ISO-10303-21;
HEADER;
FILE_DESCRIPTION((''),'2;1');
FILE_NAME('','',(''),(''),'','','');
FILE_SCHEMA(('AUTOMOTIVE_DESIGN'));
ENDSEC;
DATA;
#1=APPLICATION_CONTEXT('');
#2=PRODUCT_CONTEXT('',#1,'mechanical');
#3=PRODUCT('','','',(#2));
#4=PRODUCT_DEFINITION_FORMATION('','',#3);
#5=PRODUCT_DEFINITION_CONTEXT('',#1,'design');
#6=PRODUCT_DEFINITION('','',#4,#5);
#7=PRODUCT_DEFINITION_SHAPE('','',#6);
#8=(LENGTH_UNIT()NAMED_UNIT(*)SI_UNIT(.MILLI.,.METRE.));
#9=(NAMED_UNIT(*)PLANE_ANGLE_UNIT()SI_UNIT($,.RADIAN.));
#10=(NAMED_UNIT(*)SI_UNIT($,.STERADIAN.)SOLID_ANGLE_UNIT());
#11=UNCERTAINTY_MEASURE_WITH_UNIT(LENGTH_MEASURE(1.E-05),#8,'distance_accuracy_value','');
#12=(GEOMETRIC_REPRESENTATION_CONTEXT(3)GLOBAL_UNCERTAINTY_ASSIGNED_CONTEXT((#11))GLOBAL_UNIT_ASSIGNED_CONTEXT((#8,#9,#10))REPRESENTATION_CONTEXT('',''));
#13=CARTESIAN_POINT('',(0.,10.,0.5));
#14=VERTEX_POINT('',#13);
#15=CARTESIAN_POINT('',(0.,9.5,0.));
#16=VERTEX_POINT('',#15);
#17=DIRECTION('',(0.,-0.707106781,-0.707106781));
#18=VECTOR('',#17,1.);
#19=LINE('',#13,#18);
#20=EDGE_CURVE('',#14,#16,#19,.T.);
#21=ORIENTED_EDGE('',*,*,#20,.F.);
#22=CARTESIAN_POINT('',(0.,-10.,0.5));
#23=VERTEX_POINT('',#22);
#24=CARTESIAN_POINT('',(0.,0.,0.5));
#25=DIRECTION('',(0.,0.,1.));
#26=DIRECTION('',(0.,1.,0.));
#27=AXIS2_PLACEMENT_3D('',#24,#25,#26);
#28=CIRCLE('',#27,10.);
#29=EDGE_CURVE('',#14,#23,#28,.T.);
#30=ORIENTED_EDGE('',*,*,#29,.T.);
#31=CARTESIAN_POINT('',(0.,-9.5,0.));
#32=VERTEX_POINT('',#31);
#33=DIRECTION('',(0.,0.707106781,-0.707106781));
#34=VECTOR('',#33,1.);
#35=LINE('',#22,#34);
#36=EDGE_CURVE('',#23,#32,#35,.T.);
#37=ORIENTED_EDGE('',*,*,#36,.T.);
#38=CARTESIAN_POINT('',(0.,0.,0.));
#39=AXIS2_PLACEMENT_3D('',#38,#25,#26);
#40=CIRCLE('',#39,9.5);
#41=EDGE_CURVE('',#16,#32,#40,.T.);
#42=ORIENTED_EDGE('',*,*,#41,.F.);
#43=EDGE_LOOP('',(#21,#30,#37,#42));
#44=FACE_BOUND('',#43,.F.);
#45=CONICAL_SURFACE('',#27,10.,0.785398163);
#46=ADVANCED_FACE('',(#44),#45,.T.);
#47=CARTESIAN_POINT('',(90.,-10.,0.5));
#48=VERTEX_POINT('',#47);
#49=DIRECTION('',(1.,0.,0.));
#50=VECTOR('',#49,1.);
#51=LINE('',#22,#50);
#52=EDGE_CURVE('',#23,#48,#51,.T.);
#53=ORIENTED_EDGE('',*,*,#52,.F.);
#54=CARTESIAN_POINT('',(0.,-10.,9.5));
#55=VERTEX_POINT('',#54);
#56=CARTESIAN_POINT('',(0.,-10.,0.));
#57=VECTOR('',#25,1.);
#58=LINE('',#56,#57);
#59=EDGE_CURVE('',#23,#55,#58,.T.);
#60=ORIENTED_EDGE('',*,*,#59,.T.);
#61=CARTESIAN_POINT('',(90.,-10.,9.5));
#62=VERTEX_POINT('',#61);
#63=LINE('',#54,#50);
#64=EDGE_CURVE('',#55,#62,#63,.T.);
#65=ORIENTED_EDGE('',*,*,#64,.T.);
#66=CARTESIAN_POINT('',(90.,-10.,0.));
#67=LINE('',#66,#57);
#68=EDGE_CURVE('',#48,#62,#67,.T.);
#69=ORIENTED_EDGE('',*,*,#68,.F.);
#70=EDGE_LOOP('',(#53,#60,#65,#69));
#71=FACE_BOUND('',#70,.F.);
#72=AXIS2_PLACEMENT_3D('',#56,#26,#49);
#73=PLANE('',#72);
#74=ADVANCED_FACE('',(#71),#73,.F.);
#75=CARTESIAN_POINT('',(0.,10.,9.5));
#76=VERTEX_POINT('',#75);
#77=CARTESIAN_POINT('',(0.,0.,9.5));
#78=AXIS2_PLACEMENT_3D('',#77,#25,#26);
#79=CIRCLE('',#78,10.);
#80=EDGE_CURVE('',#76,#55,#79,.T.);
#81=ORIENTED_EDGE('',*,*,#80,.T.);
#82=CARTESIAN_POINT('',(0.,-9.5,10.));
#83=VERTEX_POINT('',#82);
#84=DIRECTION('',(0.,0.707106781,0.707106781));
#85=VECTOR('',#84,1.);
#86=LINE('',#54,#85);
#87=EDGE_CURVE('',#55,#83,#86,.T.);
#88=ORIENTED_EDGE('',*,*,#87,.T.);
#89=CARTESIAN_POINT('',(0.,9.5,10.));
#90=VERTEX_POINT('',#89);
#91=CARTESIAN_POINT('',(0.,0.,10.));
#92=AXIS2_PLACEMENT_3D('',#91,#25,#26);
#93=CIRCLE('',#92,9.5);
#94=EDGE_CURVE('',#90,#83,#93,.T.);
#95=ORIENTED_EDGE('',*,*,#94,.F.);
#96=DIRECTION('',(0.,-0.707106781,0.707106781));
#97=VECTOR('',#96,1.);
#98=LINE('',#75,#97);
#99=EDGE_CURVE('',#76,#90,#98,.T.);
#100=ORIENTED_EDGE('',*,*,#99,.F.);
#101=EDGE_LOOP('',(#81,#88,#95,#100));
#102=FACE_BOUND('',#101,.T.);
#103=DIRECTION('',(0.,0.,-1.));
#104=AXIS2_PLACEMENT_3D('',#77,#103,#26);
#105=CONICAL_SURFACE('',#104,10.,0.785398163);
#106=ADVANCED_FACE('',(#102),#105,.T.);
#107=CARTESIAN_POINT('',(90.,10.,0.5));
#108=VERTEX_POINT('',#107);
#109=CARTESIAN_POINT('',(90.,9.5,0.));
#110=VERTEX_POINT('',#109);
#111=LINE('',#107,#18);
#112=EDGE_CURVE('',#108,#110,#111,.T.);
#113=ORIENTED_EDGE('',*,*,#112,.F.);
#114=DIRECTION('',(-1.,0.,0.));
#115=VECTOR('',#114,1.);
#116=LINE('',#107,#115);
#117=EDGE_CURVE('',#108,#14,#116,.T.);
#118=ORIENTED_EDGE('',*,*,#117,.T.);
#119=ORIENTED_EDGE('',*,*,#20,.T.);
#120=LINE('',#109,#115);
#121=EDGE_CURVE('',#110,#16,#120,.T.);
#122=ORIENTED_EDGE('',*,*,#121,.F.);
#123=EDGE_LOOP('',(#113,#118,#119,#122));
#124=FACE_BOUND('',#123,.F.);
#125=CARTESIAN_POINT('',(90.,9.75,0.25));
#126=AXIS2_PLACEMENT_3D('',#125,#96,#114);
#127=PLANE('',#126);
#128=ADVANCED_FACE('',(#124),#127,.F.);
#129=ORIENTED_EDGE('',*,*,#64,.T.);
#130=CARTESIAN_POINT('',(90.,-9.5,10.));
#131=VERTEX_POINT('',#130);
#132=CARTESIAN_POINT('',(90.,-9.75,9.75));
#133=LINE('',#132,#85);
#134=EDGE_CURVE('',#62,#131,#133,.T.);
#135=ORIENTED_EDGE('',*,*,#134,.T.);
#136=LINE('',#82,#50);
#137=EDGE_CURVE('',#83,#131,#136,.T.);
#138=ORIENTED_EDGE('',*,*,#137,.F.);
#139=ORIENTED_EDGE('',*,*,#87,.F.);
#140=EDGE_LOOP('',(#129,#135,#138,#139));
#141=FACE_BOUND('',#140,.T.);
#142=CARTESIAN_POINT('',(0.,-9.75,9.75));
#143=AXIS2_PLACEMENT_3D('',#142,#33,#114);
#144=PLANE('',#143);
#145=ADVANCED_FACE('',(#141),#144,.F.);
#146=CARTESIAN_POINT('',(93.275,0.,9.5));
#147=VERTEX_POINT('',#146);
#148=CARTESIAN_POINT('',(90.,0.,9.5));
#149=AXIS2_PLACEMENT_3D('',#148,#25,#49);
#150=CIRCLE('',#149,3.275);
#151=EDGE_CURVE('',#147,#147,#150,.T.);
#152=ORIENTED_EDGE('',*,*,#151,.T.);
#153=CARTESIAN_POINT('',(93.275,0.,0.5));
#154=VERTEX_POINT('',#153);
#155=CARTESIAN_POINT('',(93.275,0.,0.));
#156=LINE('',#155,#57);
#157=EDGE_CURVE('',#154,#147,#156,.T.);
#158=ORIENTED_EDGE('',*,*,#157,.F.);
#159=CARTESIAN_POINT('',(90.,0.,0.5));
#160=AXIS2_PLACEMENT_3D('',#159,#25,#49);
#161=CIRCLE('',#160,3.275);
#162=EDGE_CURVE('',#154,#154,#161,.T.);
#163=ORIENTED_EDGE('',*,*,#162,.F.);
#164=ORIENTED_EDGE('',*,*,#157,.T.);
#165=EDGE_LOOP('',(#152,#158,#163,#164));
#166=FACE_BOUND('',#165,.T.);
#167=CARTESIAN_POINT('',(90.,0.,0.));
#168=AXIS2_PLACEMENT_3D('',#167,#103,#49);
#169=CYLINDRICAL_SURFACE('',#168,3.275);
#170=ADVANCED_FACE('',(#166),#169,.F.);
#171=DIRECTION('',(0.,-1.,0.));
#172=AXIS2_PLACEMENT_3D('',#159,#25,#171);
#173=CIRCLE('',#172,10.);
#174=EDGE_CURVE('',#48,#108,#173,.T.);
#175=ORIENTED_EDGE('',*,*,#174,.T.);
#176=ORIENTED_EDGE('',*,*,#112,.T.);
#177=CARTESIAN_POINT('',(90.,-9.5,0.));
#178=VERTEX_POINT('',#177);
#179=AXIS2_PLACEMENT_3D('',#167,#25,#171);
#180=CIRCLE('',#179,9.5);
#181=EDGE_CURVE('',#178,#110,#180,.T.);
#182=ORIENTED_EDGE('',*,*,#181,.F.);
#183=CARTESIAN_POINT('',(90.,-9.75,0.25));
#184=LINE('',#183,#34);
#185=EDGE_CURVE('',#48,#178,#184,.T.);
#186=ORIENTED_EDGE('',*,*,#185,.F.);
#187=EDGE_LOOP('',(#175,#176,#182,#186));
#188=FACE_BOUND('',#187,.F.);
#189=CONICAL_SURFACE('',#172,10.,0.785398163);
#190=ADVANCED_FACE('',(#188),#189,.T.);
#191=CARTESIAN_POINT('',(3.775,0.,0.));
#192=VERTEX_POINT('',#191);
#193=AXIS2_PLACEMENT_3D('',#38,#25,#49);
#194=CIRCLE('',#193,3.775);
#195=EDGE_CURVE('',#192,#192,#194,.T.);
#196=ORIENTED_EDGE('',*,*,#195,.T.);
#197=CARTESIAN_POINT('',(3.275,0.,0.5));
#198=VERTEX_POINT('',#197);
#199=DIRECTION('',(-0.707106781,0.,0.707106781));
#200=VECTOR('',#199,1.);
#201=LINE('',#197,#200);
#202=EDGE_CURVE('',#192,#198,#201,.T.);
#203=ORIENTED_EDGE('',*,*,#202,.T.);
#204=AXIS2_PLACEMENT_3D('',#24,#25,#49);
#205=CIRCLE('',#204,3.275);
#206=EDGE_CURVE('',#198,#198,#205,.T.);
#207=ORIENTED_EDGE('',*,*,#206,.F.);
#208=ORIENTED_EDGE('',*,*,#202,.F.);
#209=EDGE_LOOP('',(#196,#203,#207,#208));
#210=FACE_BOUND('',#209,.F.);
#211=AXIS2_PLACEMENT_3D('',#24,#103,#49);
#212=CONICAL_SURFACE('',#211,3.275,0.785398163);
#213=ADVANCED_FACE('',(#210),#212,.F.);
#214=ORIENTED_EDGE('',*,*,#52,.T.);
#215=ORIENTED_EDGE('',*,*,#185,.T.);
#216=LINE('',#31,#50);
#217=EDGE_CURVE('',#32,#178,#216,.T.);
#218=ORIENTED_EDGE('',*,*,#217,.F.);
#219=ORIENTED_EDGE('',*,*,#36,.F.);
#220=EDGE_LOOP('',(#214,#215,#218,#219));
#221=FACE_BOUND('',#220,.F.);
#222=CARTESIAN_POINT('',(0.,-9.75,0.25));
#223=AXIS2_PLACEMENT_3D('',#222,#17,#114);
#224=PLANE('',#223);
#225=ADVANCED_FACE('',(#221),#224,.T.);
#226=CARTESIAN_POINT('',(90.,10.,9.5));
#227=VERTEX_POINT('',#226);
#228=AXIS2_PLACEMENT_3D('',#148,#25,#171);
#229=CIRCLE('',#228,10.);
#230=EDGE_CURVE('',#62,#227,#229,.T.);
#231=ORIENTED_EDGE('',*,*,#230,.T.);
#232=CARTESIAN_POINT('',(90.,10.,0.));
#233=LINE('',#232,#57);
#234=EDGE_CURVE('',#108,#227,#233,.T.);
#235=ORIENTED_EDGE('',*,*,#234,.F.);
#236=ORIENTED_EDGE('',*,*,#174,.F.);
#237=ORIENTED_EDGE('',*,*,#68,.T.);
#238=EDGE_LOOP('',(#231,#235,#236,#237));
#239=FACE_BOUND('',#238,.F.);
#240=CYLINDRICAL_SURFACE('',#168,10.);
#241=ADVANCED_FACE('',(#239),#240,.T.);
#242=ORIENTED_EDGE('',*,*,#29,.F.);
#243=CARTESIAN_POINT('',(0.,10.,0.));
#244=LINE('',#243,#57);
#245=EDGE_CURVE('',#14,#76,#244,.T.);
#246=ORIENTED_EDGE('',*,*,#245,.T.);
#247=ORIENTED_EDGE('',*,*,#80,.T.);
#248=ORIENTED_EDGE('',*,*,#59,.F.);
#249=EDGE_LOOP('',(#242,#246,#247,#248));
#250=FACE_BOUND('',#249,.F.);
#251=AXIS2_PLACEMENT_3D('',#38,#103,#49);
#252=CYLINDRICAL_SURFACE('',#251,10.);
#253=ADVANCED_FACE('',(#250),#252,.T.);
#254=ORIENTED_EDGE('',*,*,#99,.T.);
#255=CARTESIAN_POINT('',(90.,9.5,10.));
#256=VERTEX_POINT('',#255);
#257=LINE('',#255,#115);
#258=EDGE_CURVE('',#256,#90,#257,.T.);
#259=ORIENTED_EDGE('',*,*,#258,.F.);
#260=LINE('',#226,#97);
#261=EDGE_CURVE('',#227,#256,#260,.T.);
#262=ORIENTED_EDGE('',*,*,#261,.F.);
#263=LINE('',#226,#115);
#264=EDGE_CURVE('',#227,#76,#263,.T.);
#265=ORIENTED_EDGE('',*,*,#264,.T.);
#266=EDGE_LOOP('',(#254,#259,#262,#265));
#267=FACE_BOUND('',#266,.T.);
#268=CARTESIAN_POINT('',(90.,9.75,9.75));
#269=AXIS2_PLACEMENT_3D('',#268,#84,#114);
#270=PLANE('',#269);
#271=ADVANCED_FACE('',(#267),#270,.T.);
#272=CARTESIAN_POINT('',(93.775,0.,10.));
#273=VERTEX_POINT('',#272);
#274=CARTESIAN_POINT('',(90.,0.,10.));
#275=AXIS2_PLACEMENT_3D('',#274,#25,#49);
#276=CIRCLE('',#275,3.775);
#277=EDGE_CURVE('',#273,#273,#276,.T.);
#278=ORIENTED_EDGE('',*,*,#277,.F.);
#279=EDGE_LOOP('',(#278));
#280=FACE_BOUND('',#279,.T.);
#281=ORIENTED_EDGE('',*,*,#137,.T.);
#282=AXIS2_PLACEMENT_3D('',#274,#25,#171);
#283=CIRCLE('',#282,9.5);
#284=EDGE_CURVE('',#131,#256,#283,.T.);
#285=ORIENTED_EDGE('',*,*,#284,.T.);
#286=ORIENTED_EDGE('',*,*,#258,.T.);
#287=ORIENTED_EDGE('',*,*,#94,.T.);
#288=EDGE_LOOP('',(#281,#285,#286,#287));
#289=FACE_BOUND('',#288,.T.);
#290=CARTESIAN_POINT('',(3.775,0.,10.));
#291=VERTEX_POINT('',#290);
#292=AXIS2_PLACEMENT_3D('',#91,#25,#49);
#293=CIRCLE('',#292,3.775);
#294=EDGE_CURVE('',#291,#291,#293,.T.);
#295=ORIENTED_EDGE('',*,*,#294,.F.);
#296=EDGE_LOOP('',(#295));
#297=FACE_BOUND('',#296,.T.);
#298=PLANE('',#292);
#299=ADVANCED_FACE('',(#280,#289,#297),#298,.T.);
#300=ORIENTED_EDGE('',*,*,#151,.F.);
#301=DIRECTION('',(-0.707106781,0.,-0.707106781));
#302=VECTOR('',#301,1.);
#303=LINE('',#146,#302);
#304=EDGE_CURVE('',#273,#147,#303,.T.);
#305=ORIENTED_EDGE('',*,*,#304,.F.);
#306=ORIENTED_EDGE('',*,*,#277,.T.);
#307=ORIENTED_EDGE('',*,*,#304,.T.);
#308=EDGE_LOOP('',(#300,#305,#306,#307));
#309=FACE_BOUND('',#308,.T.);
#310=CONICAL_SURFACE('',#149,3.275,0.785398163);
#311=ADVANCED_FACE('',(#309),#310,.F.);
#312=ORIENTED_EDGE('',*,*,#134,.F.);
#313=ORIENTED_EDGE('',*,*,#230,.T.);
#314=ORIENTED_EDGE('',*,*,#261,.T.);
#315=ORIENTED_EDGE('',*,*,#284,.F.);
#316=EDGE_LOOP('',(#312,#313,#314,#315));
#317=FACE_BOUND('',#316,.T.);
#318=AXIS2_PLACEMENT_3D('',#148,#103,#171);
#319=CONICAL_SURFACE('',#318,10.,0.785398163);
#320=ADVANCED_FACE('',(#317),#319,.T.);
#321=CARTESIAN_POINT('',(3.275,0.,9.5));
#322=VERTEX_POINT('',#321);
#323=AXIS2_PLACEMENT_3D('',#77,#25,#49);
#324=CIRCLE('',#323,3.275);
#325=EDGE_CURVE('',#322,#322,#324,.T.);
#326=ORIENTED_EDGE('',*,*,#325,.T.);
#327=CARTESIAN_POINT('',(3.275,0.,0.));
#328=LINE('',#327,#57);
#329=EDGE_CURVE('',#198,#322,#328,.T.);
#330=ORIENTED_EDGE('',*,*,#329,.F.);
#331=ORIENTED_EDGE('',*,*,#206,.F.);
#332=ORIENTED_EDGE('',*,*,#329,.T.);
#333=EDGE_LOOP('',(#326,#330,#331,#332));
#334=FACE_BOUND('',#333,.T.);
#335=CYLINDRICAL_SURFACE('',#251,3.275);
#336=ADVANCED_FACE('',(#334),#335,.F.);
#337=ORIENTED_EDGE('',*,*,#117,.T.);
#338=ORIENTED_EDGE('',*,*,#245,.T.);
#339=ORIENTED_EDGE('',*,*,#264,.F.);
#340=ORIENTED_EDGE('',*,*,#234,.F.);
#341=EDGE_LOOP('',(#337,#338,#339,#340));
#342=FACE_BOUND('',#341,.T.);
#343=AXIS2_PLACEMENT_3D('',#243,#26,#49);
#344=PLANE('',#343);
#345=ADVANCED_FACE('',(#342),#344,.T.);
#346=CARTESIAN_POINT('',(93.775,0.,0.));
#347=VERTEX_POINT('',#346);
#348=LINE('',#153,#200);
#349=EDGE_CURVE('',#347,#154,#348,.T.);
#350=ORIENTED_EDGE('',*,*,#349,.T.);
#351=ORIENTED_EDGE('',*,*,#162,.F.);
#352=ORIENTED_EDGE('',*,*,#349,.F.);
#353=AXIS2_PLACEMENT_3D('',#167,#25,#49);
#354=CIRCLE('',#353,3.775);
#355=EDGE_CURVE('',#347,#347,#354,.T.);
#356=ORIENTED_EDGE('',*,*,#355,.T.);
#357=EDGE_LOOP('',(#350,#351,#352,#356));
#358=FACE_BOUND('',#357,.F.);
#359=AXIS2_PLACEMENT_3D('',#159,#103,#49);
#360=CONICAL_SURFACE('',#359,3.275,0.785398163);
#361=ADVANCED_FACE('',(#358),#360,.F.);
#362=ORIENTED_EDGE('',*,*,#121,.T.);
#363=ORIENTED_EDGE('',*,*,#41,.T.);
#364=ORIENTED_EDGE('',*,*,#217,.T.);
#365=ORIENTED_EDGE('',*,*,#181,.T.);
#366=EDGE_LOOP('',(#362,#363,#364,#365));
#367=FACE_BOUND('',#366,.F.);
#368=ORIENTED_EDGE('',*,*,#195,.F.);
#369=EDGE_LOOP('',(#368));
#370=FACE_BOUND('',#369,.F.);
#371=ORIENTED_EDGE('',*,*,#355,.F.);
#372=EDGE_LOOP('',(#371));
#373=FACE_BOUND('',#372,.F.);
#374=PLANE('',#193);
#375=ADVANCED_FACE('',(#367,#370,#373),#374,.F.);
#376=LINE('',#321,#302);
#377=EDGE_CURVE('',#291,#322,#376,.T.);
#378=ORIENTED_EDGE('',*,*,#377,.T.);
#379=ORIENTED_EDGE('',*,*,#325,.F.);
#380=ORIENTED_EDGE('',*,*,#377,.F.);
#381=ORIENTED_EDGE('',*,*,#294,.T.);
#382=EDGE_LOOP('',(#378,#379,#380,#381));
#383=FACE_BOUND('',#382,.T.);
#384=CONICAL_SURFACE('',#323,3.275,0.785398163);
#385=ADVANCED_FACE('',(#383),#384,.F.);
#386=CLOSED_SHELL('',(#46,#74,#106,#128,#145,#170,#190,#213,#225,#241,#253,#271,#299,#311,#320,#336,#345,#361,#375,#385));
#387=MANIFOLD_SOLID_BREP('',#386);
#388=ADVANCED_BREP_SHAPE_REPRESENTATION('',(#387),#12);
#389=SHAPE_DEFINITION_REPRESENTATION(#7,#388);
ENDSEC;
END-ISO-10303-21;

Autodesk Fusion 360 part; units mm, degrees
sketch "Sketch1" plane through (0, 0, 0) normal (0, 0, 1) x (1, 0, 0)
  circle A0 centre (0, 0) radius 3.275
  circle A1 centre (0, 0) radius 10
  line L0 (0, 0) -> (90, 0) construction
  circle A2 centre (90, 0) radius 3.275
  circle A3 centre (90, 0) radius 10
  line L1 (0, 10) -> (90, 10)
  line L2 (0, -10) -> (90, -10)
  dimension "d1" = 6.55
  dimension "d2" = 20
  dimension "d4" = 90
  dimension "d5" = 6.55
  dimension "d6" = 20
extrude "Extrude1" add sketch "Sketch1" along normal blind 10
chamfer "Chamfer1" distance 0.5 angle 45 2 faces at (59.0164, 7.1403, 0) (59.0164, 7.1403, 10)
equation "length = 90 mm"
equation "d4 = length"
